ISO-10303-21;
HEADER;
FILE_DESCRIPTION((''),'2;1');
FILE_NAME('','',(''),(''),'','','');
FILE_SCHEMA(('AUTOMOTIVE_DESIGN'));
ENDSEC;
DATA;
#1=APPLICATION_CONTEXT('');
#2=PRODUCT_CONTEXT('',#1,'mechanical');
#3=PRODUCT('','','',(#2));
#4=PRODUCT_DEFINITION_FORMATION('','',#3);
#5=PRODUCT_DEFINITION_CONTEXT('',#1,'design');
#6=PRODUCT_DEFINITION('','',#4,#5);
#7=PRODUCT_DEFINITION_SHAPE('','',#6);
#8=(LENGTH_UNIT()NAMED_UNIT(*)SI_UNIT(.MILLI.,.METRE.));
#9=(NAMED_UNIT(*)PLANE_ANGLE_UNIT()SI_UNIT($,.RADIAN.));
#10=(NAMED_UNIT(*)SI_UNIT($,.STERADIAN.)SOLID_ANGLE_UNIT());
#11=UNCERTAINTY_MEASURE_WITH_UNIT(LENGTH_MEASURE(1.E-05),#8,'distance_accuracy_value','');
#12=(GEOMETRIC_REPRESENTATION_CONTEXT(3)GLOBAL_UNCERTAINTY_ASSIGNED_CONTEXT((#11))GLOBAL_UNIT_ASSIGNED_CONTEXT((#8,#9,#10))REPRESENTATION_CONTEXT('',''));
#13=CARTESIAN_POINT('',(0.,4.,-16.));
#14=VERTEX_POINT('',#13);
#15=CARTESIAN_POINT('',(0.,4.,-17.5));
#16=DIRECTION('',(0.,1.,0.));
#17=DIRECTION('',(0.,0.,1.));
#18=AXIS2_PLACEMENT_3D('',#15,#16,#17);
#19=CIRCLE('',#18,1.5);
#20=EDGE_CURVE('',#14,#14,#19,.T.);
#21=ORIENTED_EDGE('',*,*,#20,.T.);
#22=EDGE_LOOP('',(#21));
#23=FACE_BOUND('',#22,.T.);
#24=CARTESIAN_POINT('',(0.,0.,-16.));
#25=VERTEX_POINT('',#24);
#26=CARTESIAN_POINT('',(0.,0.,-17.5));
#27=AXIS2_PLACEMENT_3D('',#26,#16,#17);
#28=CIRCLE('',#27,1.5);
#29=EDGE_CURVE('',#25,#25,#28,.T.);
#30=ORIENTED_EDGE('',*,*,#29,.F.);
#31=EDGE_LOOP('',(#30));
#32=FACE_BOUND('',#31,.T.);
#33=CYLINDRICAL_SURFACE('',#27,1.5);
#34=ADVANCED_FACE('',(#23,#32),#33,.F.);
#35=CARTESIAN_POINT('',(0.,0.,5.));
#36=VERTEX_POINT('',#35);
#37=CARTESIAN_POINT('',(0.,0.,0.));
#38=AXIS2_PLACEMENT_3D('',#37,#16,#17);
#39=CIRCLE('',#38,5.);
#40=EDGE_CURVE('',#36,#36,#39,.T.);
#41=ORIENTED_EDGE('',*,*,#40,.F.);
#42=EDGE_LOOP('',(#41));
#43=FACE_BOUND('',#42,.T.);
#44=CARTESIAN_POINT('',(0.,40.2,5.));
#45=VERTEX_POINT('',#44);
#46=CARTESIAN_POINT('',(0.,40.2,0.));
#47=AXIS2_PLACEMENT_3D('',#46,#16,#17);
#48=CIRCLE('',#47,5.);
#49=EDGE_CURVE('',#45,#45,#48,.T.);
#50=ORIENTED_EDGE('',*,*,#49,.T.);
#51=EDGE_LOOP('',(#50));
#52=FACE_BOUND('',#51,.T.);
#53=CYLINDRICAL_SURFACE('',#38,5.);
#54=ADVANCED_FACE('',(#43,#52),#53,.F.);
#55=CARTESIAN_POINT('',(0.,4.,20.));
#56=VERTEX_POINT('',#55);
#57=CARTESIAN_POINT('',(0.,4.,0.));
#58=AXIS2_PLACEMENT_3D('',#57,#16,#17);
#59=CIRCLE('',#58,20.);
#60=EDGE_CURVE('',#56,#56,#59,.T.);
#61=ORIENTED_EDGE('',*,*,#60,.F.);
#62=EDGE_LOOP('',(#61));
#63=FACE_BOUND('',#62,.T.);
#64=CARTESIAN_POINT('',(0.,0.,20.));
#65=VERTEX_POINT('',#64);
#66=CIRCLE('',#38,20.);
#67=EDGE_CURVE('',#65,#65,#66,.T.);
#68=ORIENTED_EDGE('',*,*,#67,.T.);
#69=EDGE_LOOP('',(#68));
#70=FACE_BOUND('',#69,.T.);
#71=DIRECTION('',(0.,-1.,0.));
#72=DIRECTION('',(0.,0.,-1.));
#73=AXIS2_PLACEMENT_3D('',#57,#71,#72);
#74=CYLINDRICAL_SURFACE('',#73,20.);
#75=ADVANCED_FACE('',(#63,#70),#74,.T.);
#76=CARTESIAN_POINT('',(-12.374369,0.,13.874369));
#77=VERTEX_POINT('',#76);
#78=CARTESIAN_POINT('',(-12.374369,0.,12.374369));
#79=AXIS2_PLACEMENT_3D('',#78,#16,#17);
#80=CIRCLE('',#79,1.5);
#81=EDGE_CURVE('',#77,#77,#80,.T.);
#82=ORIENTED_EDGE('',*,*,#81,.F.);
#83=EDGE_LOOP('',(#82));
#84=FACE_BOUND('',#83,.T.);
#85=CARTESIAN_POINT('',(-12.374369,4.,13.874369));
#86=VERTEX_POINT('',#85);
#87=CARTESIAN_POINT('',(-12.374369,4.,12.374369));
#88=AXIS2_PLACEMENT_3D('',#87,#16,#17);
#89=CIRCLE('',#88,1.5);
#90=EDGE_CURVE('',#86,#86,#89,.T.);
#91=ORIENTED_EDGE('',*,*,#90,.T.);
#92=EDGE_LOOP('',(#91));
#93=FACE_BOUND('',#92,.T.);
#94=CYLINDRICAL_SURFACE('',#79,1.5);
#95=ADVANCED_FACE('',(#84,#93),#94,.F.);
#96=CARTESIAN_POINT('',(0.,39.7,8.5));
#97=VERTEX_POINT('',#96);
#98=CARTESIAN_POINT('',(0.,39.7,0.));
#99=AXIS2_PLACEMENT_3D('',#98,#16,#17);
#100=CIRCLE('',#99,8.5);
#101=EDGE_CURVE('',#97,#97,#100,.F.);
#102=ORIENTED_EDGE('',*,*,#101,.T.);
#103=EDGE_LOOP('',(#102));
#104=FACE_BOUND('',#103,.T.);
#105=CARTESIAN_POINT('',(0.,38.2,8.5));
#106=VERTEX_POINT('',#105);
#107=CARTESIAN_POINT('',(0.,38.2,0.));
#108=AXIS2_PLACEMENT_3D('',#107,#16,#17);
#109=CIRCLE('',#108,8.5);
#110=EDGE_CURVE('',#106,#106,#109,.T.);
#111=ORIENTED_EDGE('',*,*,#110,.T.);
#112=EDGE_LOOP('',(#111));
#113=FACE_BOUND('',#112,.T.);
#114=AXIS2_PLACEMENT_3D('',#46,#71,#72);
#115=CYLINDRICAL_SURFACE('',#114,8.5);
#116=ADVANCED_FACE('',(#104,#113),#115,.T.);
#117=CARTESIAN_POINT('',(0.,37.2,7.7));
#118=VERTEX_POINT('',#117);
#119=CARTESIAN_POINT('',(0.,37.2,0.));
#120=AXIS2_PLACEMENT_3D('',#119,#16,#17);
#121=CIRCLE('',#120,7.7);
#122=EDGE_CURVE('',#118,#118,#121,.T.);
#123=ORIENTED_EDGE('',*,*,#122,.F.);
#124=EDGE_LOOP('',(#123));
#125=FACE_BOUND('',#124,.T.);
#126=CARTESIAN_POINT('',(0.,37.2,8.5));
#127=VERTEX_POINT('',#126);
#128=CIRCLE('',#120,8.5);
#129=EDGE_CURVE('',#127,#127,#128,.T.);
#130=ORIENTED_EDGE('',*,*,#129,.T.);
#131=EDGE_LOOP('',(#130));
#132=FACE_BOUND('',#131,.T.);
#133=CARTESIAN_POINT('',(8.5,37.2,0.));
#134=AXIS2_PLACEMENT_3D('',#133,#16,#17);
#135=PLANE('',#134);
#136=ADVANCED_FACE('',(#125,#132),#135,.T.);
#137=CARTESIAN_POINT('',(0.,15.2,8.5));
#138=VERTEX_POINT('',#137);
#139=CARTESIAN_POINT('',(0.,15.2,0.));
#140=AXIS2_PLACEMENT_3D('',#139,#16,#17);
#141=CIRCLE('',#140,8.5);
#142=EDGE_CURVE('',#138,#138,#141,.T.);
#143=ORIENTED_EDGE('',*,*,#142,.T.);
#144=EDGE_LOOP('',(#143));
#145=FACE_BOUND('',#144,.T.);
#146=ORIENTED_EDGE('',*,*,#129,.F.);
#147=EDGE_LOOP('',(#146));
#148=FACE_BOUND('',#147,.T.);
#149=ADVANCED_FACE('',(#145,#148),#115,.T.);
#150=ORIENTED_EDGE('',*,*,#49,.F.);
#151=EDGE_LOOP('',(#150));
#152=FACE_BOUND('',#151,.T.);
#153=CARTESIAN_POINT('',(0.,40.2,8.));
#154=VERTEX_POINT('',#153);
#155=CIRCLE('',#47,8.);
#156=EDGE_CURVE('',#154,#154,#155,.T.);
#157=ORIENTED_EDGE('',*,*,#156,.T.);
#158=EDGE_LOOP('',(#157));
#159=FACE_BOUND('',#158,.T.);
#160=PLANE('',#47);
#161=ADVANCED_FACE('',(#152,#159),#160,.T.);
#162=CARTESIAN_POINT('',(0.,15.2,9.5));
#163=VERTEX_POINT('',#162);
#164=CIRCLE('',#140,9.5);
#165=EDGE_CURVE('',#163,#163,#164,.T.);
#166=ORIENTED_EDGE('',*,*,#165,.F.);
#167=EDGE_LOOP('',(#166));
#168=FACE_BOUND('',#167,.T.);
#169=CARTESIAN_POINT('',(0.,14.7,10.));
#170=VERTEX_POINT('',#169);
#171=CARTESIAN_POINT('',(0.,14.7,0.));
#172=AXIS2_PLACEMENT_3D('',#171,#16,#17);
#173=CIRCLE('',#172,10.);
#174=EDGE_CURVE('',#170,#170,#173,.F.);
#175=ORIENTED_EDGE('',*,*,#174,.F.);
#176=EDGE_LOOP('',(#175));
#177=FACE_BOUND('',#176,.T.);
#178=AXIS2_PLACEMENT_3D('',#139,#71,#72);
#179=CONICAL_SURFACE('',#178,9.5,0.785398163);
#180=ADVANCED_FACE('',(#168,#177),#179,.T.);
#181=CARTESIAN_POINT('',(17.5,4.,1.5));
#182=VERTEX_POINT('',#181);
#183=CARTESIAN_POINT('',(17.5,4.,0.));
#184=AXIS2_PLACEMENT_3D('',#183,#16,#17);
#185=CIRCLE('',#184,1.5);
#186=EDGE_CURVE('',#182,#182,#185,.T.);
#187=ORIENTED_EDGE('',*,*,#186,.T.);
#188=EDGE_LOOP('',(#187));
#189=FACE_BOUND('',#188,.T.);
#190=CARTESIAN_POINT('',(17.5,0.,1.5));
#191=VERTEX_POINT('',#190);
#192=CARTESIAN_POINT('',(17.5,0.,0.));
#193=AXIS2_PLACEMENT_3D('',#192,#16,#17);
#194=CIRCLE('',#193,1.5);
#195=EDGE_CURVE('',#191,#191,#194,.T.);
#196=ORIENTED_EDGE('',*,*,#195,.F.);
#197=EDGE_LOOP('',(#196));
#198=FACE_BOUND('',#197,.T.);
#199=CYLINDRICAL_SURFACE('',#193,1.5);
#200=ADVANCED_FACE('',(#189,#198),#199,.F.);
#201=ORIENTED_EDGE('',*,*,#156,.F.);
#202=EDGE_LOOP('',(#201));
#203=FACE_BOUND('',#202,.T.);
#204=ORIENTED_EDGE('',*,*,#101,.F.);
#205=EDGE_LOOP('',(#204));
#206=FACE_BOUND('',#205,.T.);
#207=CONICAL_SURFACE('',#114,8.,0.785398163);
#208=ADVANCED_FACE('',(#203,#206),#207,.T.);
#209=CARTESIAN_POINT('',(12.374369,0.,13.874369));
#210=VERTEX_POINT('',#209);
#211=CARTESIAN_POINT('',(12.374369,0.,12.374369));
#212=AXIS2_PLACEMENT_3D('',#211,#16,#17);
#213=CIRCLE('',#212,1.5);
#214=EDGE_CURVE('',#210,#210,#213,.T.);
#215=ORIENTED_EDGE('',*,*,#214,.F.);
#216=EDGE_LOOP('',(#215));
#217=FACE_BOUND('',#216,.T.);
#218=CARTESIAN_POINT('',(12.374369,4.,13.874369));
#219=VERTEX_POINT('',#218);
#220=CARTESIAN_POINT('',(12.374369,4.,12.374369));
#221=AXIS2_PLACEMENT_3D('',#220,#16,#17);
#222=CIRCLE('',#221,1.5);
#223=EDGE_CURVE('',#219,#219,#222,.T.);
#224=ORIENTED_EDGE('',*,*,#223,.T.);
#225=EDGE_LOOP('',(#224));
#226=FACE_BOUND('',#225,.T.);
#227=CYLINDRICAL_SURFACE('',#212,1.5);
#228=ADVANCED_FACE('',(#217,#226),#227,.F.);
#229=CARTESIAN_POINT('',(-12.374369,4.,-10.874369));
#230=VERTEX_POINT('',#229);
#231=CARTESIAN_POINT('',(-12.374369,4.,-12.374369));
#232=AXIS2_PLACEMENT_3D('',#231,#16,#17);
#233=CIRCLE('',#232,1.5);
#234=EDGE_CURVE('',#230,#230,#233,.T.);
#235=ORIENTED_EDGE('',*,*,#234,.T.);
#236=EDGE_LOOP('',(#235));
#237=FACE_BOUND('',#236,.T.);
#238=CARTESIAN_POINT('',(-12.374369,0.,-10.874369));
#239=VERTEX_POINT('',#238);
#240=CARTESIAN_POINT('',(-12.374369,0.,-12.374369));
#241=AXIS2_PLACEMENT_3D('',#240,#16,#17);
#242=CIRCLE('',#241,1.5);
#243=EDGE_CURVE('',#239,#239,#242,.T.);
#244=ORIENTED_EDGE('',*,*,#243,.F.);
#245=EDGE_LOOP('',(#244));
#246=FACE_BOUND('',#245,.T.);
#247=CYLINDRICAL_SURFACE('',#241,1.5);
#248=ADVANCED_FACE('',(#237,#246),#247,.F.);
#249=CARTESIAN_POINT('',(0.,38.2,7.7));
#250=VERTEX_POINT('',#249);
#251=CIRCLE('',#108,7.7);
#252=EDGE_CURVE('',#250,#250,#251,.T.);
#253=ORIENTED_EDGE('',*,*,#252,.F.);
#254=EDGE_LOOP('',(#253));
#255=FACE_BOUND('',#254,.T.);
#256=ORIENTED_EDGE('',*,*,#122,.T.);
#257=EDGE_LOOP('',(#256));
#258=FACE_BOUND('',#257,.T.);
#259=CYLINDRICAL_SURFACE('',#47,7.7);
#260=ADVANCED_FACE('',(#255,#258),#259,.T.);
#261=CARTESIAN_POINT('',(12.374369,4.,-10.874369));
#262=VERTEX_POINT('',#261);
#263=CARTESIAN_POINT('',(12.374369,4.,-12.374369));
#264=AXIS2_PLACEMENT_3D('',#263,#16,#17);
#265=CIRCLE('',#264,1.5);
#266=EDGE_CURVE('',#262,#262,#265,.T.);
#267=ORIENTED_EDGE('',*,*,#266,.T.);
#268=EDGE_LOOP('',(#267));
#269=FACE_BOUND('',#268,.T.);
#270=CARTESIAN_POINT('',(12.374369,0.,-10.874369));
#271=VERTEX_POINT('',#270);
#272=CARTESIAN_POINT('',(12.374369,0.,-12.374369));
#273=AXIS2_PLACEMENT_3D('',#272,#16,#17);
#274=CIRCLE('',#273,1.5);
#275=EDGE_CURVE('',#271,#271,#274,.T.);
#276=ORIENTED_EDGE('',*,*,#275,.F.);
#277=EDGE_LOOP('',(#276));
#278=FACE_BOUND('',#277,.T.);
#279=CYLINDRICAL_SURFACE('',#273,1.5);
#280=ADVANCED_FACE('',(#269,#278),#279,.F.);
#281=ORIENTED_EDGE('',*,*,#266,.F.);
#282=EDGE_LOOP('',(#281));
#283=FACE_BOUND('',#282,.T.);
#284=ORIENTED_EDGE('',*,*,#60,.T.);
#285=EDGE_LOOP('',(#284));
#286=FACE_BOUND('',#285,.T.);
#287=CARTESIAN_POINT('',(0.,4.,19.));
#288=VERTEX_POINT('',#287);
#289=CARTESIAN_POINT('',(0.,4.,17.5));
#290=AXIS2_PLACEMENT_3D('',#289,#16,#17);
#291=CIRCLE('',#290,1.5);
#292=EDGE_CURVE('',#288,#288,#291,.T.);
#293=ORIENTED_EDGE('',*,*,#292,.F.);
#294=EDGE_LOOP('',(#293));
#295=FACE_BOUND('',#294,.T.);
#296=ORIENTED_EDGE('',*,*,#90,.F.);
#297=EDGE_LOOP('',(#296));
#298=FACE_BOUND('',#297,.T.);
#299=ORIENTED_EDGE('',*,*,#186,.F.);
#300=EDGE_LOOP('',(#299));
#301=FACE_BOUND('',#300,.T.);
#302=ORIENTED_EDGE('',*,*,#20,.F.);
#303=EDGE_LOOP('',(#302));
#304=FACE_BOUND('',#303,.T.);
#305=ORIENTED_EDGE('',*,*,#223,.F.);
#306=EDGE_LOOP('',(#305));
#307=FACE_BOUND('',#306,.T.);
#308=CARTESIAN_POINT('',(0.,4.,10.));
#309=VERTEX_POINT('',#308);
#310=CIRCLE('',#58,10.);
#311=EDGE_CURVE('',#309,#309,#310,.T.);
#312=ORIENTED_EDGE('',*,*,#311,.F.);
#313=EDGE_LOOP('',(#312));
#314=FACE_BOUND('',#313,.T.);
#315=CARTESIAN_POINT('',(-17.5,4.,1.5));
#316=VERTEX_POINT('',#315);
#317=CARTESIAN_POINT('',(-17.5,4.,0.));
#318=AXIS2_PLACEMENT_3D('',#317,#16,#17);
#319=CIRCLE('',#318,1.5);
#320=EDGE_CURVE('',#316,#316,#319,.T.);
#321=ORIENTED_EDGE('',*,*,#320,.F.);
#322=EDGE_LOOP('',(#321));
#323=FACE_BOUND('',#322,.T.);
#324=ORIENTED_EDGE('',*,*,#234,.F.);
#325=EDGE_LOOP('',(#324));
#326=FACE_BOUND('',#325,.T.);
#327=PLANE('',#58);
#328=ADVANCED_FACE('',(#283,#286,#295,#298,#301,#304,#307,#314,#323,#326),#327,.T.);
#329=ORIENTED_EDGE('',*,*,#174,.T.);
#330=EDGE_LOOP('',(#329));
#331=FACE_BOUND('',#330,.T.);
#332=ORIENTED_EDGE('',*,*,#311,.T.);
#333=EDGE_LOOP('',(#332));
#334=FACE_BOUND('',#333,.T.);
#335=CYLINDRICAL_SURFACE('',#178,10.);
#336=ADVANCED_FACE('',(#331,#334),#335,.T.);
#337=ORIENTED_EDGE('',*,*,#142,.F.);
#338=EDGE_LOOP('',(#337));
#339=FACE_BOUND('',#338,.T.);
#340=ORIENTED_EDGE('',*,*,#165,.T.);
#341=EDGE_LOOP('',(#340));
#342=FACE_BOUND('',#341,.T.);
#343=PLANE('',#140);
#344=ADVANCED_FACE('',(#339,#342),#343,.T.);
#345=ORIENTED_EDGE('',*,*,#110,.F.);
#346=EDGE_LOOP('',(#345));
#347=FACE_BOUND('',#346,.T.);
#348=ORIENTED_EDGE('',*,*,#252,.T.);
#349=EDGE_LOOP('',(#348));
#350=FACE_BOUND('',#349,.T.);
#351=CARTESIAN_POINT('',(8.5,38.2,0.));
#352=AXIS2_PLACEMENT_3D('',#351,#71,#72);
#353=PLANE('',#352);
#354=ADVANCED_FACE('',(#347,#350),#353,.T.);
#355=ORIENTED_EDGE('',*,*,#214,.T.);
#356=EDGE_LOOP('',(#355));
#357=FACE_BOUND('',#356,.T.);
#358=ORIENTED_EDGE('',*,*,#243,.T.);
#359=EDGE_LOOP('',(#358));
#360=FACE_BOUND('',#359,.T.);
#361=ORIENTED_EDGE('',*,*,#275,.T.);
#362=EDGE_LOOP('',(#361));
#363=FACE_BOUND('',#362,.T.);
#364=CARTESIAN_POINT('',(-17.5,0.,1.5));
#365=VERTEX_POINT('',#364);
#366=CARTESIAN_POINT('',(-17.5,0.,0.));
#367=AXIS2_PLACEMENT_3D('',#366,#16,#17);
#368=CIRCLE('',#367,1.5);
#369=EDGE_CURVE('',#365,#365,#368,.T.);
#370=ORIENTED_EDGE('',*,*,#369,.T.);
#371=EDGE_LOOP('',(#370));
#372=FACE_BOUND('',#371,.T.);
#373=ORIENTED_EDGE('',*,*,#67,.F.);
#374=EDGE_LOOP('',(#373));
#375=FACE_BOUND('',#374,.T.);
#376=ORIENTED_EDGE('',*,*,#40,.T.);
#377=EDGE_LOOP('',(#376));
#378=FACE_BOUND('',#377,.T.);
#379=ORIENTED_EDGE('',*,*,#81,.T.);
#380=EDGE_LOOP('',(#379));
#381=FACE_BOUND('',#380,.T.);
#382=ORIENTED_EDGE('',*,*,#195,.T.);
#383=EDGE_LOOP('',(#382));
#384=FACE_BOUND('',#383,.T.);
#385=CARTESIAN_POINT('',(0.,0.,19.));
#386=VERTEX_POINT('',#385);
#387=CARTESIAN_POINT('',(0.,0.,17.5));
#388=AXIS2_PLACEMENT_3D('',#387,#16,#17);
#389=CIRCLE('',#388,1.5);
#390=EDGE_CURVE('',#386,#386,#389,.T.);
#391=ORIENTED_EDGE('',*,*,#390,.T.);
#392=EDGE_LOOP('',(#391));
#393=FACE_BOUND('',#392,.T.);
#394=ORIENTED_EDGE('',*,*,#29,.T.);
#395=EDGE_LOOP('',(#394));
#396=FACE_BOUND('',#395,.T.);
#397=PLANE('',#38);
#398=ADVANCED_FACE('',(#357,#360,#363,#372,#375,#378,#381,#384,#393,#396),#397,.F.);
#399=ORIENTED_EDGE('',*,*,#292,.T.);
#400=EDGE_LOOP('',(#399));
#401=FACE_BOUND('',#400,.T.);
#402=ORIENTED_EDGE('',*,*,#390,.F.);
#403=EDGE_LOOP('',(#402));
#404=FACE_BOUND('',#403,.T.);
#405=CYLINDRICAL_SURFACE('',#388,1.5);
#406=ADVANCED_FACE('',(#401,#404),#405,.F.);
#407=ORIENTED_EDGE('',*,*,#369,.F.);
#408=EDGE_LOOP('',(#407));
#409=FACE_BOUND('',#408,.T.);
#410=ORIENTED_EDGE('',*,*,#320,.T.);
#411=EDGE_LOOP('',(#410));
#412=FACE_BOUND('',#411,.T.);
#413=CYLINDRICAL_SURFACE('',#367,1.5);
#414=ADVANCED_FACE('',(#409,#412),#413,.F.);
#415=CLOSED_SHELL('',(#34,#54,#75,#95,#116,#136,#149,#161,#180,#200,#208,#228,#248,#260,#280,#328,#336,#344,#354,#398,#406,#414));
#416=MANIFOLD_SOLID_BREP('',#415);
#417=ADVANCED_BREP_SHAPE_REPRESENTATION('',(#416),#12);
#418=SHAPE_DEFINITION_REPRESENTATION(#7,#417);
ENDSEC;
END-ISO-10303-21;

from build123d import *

# Parameters (mm, degrees)
SKETCH_1_R          = 20
EXTRUDE_1_DEPTH     = 4
SKETCH_2_R          = 10
EXTRUDE_2_DEPTH     = 11.2
SKETCH_3_R          = 1.5
CUT_EXTRUDE_1_DEPTH = 31.421045347
SKETCH_4_R          = 8.5
EXTRUDE_3_DEPTH     = 25
SKETCH_5_R          = 5
CUT_EXTRUDE_2_DEPTH = 50.153229802
SKETCH_6_W          = 0.8
SKETCH_6_H          = 1
CHAMFER_1_SIZE      = 0.5


with BuildPart() as part:
    # 草图1 → 凸台-拉伸1 (new body)
    with BuildSketch(Plane(origin=(0, 0, 0), x_dir=(1, 0, 0), z_dir=(0, 1, 0))):
        with Locations(Location((0, 0, 0), (0, 0, 270))):
            Circle(SKETCH_1_R)
    extrude(amount=EXTRUDE_1_DEPTH)

    # 草图2 → 凸台-拉伸2 (add)
    with BuildSketch(Plane(origin=(0, 4, 0), x_dir=(1, 0, 0), z_dir=(0, 1, 0))):
        with Locations(Location((0, 0, 0), (0, 0, 270))):
            Circle(SKETCH_2_R)
    extrude(amount=EXTRUDE_2_DEPTH)

    # 草图3 → 切除-拉伸1 (cut, through all)
    with BuildSketch(Plane(origin=(0, 4, 0), x_dir=(1, 0, 0), z_dir=(0, 1, 0))):
        with Locations(Location((0, 17.5, 0), (0, 0, 270))):
            Circle(SKETCH_3_R)
        with Locations(Location((12.374368671, 12.374368671, 0), (0, 0, 270))):
            Circle(SKETCH_3_R)
        with Locations(Location((17.5, 0, 0), (0, 0, 270))):
            Circle(SKETCH_3_R)
        with Locations(Location((12.374368671, -12.374368671, 0), (0, 0, 270))):
            Circle(SKETCH_3_R)
        with Locations(Location((0, -17.5, 0), (0, 0, 270))):
            Circle(SKETCH_3_R)
        with Locations(Location((-12.374368671, -12.374368671, 0), (0, 0, 270))):
            Circle(SKETCH_3_R)
        with Locations(Location((-17.5, 0, 0), (0, 0, 270))):
            Circle(SKETCH_3_R)
        with Locations(Location((-12.374368671, 12.374368671, 0), (0, 0, 270))):
            Circle(SKETCH_3_R)
    extrude(amount=-CUT_EXTRUDE_1_DEPTH, mode=Mode.SUBTRACT)

    # 草图4 → 凸台-拉伸3 (add)
    with BuildSketch(Plane(origin=(0, 15.2, 0), x_dir=(1, 0, 0), z_dir=(0, 1, 0))):
        with Locations(Location((0, 0, 0), (0, 0, 270))):
            Circle(SKETCH_4_R)
    extrude(amount=EXTRUDE_3_DEPTH)

    # 草图5 → 切除-拉伸2 (cut, through all)
    with BuildSketch(Plane(origin=(0, 40.2, 0), x_dir=(1, 0, 0), z_dir=(0, 1, 0))):
        with Locations(Location((0, 0, 0), (0, 0, 270))):
            Circle(SKETCH_5_R)
    extrude(amount=-CUT_EXTRUDE_2_DEPTH, mode=Mode.SUBTRACT)

    # 草图6 → 切除-旋转1 (revolve, cut)
    with BuildSketch(Plane.XY, mode=Mode.PRIVATE) as cut_revolve_1_sk:
        with Locations((8.1, 37.7)):
            Rectangle(SKETCH_6_W, SKETCH_6_H)
    revolve(cut_revolve_1_sk.sketch.rotate(Axis((0, 40.2, 0), (0, -1, 0)), 90), axis=Axis((0, 40.2, 0), (0, -1, 0)), mode=Mode.SUBTRACT)

    # 倒角1
    chamfer_1_edges = [part.edges().sort_by_distance(p)[0] for p in [
        (0, 40.2, -8.5),
        (0, 15.2, -10),
    ]]
    chamfer(chamfer_1_edges, length=CHAMFER_1_SIZE)


solid = part.part
